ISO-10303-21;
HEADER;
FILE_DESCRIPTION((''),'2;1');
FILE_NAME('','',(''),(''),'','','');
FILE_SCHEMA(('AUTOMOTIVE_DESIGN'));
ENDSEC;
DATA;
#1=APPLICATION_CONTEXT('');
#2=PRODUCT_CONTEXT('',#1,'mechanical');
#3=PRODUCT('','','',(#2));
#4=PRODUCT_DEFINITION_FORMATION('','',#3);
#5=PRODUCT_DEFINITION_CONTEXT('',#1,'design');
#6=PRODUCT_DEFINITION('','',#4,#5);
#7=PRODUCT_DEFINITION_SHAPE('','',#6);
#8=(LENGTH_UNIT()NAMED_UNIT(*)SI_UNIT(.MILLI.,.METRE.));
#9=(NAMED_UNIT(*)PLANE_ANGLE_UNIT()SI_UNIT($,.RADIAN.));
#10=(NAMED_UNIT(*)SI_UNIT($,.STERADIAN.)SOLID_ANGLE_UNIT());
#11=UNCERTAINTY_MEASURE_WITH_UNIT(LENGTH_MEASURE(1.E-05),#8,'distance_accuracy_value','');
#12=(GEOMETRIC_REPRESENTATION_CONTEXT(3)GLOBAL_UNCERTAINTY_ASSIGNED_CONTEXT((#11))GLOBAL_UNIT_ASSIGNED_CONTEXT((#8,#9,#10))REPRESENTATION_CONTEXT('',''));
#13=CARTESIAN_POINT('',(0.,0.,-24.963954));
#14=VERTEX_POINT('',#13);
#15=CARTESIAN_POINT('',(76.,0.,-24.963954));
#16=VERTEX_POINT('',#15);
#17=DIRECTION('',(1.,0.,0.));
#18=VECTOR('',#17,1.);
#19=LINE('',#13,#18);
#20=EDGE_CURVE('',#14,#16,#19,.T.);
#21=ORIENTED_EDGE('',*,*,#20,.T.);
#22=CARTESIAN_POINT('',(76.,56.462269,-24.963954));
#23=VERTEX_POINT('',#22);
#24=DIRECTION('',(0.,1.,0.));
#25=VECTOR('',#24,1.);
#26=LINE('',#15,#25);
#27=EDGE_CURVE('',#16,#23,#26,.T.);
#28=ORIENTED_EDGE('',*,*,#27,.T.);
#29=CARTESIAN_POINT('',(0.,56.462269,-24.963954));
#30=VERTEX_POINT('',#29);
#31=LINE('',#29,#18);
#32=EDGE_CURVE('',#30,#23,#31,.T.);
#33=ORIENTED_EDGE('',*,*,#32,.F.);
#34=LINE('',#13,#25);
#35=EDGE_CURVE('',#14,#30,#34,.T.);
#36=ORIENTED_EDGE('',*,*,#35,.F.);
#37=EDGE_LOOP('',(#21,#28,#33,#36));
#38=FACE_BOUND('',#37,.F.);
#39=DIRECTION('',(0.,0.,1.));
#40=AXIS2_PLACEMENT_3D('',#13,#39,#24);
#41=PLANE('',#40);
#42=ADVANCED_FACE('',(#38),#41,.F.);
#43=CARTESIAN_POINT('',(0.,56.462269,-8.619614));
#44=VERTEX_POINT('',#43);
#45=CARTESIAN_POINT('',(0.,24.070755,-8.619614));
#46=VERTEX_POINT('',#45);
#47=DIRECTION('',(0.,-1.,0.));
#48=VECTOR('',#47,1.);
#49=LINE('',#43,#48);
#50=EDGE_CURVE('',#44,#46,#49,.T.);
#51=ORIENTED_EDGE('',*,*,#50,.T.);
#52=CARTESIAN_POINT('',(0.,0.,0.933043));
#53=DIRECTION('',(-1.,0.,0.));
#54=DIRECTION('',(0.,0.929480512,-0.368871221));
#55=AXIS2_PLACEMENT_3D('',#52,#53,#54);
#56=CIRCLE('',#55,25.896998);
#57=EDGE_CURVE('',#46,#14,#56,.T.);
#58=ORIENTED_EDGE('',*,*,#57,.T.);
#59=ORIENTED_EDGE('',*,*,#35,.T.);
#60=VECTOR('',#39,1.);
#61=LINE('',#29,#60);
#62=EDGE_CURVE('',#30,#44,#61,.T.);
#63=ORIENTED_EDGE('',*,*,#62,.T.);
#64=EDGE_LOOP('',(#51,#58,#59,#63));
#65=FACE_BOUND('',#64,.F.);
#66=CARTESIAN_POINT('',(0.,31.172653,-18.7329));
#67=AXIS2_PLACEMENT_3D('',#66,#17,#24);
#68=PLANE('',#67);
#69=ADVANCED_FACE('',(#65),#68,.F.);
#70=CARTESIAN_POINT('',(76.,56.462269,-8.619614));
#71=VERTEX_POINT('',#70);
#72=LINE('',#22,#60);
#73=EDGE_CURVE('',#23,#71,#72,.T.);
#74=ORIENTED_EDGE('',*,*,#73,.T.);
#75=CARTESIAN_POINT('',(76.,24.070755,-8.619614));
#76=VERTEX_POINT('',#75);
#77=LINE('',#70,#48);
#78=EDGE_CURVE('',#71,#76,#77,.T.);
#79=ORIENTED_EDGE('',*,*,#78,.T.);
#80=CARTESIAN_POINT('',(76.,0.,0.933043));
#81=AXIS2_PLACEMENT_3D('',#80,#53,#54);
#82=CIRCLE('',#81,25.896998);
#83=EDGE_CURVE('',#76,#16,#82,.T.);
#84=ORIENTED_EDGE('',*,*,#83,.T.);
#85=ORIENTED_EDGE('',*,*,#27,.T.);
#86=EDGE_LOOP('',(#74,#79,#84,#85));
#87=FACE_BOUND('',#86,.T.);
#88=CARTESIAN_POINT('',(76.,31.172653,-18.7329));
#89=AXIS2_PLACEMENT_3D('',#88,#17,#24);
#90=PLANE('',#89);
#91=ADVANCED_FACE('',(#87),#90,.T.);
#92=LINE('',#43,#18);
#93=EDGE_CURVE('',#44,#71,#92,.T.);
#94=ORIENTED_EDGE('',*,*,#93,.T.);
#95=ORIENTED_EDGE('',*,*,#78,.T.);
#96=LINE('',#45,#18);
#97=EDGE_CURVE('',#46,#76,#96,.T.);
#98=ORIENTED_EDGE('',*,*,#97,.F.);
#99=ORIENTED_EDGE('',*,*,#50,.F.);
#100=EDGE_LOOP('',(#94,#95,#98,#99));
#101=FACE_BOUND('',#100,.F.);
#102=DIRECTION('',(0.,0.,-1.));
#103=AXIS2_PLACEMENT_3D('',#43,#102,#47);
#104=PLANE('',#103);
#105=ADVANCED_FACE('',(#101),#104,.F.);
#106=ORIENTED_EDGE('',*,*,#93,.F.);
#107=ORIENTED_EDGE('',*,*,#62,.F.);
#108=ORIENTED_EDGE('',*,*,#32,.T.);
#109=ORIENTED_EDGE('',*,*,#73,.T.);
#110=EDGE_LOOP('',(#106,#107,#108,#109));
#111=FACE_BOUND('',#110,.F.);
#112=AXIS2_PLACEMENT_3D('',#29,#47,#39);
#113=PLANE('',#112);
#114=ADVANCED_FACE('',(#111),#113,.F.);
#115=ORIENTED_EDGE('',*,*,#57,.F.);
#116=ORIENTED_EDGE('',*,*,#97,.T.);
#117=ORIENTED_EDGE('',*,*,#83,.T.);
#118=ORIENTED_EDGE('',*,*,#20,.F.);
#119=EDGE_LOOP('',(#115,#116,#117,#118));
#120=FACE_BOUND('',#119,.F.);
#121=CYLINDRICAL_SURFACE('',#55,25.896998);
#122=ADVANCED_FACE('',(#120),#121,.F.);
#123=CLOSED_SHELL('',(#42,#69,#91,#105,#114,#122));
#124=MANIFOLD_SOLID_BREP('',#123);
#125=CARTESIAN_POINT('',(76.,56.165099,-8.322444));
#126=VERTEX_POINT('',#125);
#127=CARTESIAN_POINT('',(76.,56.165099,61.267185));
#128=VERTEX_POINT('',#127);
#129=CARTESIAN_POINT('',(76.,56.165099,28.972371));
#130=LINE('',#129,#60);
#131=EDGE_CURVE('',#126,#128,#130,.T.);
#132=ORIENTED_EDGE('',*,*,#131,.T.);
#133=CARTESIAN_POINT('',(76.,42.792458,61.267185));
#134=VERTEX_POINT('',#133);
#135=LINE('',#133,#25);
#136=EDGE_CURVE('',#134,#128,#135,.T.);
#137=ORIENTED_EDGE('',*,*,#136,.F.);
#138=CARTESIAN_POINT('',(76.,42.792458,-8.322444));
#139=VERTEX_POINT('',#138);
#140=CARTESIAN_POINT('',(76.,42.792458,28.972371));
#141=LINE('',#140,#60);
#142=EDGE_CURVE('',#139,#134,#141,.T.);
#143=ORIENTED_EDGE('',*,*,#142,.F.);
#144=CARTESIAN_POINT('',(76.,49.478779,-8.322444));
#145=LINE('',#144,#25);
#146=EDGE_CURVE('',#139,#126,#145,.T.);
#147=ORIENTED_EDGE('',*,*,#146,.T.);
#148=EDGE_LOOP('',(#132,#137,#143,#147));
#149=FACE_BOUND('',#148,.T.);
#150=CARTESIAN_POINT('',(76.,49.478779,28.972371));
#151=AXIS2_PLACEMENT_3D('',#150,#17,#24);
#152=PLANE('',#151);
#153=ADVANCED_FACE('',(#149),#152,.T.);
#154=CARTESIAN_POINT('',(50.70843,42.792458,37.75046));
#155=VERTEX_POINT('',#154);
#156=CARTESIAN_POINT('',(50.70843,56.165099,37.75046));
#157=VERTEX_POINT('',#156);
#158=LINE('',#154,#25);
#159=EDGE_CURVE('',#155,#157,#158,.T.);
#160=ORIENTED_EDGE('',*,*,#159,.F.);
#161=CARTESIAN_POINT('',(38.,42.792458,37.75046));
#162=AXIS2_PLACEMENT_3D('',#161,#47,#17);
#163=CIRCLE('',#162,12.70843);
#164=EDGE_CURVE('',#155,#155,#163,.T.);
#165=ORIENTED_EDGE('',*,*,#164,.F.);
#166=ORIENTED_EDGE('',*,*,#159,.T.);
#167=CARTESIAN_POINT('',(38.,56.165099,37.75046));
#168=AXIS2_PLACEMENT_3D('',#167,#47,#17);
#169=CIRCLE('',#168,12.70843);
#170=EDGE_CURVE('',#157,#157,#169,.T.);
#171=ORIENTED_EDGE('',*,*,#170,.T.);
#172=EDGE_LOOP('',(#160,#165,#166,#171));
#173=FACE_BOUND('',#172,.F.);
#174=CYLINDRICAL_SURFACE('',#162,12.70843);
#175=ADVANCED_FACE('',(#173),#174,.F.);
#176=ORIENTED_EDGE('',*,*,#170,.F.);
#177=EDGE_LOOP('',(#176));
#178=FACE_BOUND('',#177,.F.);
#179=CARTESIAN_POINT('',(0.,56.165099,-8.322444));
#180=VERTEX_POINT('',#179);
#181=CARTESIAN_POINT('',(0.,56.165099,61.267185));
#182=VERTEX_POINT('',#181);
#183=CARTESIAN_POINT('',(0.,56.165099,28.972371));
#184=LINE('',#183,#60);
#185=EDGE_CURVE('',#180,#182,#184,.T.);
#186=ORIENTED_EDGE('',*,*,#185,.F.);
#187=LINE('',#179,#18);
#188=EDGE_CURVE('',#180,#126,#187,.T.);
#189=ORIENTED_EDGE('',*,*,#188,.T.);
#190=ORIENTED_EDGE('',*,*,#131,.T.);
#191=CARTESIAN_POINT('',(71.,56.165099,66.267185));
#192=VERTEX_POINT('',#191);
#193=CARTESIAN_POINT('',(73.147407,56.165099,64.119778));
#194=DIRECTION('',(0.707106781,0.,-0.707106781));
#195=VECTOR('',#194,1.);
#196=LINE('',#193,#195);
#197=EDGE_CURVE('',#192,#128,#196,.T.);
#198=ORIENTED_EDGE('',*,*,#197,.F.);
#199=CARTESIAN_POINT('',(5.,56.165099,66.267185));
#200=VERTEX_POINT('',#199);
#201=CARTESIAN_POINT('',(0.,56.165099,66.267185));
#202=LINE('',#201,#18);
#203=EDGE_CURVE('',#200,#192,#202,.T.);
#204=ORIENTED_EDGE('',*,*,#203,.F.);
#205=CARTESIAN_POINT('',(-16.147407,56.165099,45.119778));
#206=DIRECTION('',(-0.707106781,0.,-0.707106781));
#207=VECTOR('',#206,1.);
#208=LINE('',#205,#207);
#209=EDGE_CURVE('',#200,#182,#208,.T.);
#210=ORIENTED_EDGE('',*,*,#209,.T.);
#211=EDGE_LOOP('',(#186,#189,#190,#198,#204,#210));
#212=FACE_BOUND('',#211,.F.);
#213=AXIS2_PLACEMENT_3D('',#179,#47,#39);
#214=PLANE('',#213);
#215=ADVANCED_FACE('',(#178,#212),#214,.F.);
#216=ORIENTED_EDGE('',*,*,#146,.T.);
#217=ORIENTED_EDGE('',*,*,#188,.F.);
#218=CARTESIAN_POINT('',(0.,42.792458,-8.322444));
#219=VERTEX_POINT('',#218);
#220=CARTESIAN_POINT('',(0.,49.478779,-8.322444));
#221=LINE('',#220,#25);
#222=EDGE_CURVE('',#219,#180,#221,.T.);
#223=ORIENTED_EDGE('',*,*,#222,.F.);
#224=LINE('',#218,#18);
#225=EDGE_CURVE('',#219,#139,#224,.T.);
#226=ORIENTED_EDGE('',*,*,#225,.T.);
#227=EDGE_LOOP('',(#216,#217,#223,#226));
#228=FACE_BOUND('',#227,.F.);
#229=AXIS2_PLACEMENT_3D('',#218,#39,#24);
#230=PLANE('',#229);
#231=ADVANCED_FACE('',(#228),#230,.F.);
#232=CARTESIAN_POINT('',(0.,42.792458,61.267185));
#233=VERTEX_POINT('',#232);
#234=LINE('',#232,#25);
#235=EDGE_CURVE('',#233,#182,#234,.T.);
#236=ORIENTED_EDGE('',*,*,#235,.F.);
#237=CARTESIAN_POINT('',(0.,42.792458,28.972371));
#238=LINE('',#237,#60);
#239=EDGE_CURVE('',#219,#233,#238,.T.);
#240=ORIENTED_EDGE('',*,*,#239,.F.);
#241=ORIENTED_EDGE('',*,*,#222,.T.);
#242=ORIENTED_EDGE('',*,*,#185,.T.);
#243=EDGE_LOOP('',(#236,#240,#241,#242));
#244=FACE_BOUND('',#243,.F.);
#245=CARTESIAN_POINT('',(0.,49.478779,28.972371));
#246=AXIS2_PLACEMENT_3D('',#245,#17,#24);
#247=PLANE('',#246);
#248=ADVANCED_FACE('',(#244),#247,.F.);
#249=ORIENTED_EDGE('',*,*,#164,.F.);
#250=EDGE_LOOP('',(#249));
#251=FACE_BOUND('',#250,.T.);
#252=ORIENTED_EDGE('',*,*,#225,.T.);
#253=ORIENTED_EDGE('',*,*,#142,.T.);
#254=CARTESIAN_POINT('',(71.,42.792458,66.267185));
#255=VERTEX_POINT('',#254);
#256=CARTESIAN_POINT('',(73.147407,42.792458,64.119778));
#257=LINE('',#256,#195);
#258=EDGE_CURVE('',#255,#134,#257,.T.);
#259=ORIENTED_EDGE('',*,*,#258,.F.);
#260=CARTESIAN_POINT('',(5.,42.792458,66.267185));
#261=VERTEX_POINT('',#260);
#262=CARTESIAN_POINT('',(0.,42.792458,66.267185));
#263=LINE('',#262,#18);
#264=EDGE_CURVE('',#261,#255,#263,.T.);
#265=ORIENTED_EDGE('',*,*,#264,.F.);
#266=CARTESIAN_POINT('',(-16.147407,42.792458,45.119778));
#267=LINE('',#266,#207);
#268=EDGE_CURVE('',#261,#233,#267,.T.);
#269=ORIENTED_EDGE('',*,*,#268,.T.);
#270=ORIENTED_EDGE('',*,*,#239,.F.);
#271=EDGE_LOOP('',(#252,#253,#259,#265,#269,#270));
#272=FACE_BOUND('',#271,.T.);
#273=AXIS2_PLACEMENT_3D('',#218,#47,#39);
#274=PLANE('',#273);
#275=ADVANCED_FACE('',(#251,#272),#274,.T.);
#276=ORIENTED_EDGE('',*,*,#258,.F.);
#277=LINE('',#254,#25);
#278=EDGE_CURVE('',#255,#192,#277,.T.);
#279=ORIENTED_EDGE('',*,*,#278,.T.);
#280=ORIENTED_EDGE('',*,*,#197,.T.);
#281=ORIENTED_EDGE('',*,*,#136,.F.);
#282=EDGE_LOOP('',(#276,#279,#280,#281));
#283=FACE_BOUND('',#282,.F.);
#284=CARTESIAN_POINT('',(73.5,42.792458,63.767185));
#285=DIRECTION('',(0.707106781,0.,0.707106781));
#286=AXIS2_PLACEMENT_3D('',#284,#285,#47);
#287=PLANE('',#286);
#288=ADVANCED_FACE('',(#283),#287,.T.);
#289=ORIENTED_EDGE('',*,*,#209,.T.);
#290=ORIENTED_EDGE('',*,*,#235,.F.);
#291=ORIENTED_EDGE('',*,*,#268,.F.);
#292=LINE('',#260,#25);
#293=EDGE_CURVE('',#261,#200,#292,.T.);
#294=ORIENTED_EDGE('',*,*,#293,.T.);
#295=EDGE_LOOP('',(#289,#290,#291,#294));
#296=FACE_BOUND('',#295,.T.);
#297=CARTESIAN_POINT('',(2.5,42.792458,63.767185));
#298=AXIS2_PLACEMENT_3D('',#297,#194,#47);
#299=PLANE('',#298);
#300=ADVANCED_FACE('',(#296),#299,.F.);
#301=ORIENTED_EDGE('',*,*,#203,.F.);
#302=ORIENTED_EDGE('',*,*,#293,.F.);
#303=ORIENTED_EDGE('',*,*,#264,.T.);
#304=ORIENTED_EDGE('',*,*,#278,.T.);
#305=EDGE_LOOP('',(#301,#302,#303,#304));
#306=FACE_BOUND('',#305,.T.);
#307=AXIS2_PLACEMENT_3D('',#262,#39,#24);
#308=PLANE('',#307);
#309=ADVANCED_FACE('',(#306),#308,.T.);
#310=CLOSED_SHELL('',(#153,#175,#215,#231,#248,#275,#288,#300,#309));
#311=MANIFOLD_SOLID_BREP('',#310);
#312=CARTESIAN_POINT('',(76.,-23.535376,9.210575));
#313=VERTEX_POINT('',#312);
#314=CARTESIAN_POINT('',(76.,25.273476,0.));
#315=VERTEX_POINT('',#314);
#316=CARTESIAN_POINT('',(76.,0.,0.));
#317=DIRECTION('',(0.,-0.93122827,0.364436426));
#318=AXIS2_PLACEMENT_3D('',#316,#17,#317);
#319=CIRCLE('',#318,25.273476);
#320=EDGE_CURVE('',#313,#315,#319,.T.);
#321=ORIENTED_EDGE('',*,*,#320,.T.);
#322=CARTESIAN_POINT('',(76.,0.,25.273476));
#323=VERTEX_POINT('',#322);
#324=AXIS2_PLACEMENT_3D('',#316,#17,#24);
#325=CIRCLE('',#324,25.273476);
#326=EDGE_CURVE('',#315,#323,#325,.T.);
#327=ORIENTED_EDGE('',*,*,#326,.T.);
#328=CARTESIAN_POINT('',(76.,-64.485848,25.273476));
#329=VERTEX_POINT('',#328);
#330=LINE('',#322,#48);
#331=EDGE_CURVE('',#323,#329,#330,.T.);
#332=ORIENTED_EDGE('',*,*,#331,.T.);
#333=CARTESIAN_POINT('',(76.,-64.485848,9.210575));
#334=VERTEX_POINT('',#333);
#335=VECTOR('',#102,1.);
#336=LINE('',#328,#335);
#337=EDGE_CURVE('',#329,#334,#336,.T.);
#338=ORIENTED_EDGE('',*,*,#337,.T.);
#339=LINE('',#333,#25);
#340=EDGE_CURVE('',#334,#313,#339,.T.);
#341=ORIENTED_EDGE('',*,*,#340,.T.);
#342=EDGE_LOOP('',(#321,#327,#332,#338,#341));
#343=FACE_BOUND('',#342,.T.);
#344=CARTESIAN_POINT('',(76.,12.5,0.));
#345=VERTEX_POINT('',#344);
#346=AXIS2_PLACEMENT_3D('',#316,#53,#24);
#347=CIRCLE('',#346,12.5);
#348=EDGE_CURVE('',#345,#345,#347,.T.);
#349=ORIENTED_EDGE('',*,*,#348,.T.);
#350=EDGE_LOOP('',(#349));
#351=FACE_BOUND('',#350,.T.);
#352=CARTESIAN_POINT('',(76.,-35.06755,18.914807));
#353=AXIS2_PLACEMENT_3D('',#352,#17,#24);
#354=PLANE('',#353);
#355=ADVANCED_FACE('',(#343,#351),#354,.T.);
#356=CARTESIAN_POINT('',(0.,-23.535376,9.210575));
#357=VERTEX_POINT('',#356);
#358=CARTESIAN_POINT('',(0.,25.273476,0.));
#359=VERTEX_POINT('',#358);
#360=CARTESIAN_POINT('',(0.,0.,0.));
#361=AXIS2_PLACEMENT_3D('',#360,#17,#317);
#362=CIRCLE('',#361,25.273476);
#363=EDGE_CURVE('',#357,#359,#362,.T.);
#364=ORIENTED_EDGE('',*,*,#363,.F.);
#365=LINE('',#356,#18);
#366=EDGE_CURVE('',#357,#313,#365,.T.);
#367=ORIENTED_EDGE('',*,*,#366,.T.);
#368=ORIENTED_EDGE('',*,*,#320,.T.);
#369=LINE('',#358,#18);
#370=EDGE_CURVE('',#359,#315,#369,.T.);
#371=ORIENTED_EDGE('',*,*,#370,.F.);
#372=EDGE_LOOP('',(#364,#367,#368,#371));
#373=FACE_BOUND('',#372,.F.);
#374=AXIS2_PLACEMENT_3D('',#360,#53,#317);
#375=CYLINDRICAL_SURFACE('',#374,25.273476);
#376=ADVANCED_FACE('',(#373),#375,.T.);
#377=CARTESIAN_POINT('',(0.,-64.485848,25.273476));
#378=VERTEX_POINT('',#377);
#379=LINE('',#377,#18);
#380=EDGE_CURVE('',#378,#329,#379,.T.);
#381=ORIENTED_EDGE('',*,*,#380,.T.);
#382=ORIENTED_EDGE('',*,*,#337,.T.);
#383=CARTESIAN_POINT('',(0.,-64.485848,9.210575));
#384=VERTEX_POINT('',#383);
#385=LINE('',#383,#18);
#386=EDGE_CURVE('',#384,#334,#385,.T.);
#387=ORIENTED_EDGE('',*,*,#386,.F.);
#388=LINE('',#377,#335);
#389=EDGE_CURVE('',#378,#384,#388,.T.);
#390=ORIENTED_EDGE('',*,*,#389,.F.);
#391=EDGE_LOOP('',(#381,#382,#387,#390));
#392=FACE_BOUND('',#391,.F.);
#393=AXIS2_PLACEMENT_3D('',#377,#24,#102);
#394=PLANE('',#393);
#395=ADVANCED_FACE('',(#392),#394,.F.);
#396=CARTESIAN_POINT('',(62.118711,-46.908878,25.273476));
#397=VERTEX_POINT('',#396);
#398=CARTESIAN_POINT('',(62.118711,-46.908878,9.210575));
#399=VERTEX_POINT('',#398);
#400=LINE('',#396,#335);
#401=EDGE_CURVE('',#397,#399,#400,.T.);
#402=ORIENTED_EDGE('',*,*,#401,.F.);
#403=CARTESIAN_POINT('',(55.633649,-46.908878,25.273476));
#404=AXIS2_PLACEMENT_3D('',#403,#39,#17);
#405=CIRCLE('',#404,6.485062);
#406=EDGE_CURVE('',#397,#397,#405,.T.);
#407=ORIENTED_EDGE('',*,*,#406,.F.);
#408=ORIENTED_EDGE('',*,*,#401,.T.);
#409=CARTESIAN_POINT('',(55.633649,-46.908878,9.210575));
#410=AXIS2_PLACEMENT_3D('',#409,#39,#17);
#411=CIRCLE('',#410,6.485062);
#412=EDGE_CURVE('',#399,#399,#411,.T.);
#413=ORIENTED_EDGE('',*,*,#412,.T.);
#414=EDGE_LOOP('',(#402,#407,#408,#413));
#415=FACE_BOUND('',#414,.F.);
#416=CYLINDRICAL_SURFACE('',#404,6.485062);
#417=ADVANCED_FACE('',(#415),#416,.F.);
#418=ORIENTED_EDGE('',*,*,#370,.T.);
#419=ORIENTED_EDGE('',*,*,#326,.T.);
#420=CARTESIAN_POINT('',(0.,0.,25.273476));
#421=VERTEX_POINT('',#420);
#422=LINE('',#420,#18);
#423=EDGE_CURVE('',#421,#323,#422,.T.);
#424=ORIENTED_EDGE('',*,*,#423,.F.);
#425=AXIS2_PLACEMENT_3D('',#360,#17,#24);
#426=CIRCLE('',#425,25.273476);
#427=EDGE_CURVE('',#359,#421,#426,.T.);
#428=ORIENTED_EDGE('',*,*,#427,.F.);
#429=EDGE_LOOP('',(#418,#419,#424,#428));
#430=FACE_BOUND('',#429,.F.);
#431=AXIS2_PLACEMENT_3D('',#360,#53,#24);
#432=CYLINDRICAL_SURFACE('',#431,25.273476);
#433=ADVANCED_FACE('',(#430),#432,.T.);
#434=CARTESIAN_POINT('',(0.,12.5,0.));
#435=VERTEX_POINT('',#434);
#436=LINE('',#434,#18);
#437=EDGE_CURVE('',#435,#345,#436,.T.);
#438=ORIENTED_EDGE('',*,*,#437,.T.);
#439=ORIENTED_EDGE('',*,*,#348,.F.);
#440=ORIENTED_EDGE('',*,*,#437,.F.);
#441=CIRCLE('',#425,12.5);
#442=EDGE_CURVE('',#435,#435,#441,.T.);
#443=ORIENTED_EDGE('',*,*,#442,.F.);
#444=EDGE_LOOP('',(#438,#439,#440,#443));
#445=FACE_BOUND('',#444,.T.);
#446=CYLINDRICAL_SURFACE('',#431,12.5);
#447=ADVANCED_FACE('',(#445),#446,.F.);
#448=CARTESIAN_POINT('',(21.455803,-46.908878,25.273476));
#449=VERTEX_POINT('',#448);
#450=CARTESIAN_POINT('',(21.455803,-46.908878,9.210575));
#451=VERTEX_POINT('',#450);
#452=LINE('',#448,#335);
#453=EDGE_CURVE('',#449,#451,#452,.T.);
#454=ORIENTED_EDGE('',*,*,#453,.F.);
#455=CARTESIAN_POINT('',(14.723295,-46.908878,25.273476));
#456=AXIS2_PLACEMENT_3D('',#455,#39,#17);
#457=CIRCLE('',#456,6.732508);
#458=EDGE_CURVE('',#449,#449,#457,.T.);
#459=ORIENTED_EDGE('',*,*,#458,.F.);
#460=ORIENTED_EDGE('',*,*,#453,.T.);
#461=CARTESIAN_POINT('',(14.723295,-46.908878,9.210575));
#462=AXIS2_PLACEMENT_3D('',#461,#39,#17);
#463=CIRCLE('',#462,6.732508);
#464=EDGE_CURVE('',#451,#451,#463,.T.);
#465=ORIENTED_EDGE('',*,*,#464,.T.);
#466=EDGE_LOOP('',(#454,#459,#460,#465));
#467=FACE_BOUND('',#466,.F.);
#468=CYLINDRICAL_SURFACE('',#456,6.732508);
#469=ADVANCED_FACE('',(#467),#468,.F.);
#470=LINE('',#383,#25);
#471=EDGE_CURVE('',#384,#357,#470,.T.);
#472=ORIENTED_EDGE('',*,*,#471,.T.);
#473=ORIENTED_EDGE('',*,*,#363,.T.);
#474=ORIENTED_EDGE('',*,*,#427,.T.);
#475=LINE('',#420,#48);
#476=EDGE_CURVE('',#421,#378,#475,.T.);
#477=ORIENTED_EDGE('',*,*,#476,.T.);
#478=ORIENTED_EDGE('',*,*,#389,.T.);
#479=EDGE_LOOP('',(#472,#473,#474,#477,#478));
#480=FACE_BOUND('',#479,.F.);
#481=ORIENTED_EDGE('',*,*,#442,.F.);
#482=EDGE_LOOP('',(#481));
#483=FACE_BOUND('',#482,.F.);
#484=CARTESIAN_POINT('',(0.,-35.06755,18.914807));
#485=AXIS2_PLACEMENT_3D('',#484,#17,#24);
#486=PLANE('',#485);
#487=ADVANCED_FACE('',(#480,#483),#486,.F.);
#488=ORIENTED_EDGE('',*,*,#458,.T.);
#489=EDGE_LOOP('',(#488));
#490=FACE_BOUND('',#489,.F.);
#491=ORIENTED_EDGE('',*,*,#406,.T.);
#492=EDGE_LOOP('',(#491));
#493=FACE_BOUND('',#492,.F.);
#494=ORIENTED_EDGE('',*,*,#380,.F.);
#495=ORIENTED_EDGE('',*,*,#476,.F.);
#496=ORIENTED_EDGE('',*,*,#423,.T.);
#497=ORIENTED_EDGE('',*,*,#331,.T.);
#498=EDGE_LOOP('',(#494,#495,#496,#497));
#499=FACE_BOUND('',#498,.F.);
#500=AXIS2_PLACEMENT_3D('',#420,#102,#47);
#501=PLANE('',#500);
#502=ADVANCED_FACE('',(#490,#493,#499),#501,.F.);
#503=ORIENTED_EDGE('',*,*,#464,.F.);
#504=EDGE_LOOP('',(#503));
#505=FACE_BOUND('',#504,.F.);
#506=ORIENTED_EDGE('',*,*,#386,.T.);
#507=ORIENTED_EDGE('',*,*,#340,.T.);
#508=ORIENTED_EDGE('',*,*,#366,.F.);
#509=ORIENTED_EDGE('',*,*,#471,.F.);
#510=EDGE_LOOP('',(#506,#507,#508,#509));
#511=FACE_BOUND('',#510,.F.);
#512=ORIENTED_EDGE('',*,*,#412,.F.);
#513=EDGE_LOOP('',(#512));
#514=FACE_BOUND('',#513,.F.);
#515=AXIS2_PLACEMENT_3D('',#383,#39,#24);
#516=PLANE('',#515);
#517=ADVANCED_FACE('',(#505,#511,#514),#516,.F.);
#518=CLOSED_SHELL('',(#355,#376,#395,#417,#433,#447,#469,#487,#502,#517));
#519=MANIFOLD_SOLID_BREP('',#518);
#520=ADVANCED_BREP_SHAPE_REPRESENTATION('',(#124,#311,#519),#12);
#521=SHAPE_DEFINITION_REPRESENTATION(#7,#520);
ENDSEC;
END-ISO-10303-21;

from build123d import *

# Parameters (mm, degrees)
F4_DEPTH  = 76
F3_W      = 13.3726410568
F3_H      = 74.5896287262
F5_SIZE   = 5
F0_R      = 12.5
F6_DEPTH  = 113
F7_R      = 12.7084300736
F8_DEPTH  = 25
F9_R      = 6.7325080712
F9_R_2    = 6.4850618684
F10_DEPTH = 25


with BuildPart() as f4:
    # F1 (on Right) → F4 (new body)
    with BuildSketch(Plane.YZ):
        with BuildLine():
            ThreePointArc((-23.5353756384, 9.210575372), (-14.2471987878, 20.8750073491), (0, 25.2734763165))
            Line((0, 25.2734763165), (-64.48584795, 25.2734763165))
            Line((-64.48584795, 25.2734763165), (-64.48584795, 9.210575372))
            Line((-64.48584795, 9.210575372), (-23.5353756384, 9.210575372))
        make_face()
        with BuildLine():
            ThreePointArc((-23.5353756384, 9.210575372), (-4.6865683781, -24.8351501296), (25.2734763165, 0))
            ThreePointArc((25.2734763165, 0), (17.8710464876, 17.8710464876), (0, 25.2734763165))
            ThreePointArc((0, 25.2734763165), (-14.2471987878, 20.8750073491), (-23.5353756384, 9.210575372))
        make_face()
    extrude(amount=F4_DEPTH)

    # F0 (on Right) → F6 (cut)
    with BuildSketch(Plane.YZ):
        Circle(F0_R)
    extrude(amount=F6_DEPTH, mode=Mode.SUBTRACT)

    # F9 (on face) → F10 (cut)
    with BuildSketch(Plane.XY.offset(25.2734763165)):
        with Locations((14.7232953459, -46.90887779)):
            Circle(F9_R)
        with Locations((55.63364923, -46.90887779)):
            Circle(F9_R_2)
    extrude(amount=-F10_DEPTH, mode=Mode.SUBTRACT)


with BuildPart() as f4b:
    # F2 (on Right) → F4, piece 2 (new body)
    with BuildSketch(Plane.YZ):
        with BuildLine():
            ThreePointArc((24.0707546473, -8.6196139455), (14.5476690251, -20.491704497), (0, -24.9639544636))
            Line((0, -24.9639544636), (56.4622692764, -24.9639544636))
            Line((56.4622692764, -24.9639544636), (56.4622692764, -8.6196139455))
            Line((56.4622692764, -8.6196139455), (24.0707546473, -8.6196139455))
        make_face()
    extrude(amount=F4_DEPTH)


with BuildPart() as f4c:
    # F3 (on Right) → F4, piece 3 (new body)
    with BuildSketch(Plane.YZ):
        with Locations((49.4787786156, 28.97237055)):
            Rectangle(F3_W, F3_H)
    extrude(amount=F4_DEPTH)

    # F5
    f5_edges = [f4c.edges().sort_by_distance(p)[0] for p in [
        (76, 49.478779, 66.267185),
        (0, 49.478779, 66.267185),
    ]]
    chamfer(f5_edges, length=F5_SIZE)

    # F7 (on face) → F8 (cut)
    with BuildSketch(Plane.XZ.offset(-42.7924580872)):
        with Locations((38, 37.7504602075)):
            Circle(F7_R)
    extrude(amount=-F8_DEPTH, mode=Mode.SUBTRACT)


solid = Compound([f4.part, f4b.part, f4c.part])
